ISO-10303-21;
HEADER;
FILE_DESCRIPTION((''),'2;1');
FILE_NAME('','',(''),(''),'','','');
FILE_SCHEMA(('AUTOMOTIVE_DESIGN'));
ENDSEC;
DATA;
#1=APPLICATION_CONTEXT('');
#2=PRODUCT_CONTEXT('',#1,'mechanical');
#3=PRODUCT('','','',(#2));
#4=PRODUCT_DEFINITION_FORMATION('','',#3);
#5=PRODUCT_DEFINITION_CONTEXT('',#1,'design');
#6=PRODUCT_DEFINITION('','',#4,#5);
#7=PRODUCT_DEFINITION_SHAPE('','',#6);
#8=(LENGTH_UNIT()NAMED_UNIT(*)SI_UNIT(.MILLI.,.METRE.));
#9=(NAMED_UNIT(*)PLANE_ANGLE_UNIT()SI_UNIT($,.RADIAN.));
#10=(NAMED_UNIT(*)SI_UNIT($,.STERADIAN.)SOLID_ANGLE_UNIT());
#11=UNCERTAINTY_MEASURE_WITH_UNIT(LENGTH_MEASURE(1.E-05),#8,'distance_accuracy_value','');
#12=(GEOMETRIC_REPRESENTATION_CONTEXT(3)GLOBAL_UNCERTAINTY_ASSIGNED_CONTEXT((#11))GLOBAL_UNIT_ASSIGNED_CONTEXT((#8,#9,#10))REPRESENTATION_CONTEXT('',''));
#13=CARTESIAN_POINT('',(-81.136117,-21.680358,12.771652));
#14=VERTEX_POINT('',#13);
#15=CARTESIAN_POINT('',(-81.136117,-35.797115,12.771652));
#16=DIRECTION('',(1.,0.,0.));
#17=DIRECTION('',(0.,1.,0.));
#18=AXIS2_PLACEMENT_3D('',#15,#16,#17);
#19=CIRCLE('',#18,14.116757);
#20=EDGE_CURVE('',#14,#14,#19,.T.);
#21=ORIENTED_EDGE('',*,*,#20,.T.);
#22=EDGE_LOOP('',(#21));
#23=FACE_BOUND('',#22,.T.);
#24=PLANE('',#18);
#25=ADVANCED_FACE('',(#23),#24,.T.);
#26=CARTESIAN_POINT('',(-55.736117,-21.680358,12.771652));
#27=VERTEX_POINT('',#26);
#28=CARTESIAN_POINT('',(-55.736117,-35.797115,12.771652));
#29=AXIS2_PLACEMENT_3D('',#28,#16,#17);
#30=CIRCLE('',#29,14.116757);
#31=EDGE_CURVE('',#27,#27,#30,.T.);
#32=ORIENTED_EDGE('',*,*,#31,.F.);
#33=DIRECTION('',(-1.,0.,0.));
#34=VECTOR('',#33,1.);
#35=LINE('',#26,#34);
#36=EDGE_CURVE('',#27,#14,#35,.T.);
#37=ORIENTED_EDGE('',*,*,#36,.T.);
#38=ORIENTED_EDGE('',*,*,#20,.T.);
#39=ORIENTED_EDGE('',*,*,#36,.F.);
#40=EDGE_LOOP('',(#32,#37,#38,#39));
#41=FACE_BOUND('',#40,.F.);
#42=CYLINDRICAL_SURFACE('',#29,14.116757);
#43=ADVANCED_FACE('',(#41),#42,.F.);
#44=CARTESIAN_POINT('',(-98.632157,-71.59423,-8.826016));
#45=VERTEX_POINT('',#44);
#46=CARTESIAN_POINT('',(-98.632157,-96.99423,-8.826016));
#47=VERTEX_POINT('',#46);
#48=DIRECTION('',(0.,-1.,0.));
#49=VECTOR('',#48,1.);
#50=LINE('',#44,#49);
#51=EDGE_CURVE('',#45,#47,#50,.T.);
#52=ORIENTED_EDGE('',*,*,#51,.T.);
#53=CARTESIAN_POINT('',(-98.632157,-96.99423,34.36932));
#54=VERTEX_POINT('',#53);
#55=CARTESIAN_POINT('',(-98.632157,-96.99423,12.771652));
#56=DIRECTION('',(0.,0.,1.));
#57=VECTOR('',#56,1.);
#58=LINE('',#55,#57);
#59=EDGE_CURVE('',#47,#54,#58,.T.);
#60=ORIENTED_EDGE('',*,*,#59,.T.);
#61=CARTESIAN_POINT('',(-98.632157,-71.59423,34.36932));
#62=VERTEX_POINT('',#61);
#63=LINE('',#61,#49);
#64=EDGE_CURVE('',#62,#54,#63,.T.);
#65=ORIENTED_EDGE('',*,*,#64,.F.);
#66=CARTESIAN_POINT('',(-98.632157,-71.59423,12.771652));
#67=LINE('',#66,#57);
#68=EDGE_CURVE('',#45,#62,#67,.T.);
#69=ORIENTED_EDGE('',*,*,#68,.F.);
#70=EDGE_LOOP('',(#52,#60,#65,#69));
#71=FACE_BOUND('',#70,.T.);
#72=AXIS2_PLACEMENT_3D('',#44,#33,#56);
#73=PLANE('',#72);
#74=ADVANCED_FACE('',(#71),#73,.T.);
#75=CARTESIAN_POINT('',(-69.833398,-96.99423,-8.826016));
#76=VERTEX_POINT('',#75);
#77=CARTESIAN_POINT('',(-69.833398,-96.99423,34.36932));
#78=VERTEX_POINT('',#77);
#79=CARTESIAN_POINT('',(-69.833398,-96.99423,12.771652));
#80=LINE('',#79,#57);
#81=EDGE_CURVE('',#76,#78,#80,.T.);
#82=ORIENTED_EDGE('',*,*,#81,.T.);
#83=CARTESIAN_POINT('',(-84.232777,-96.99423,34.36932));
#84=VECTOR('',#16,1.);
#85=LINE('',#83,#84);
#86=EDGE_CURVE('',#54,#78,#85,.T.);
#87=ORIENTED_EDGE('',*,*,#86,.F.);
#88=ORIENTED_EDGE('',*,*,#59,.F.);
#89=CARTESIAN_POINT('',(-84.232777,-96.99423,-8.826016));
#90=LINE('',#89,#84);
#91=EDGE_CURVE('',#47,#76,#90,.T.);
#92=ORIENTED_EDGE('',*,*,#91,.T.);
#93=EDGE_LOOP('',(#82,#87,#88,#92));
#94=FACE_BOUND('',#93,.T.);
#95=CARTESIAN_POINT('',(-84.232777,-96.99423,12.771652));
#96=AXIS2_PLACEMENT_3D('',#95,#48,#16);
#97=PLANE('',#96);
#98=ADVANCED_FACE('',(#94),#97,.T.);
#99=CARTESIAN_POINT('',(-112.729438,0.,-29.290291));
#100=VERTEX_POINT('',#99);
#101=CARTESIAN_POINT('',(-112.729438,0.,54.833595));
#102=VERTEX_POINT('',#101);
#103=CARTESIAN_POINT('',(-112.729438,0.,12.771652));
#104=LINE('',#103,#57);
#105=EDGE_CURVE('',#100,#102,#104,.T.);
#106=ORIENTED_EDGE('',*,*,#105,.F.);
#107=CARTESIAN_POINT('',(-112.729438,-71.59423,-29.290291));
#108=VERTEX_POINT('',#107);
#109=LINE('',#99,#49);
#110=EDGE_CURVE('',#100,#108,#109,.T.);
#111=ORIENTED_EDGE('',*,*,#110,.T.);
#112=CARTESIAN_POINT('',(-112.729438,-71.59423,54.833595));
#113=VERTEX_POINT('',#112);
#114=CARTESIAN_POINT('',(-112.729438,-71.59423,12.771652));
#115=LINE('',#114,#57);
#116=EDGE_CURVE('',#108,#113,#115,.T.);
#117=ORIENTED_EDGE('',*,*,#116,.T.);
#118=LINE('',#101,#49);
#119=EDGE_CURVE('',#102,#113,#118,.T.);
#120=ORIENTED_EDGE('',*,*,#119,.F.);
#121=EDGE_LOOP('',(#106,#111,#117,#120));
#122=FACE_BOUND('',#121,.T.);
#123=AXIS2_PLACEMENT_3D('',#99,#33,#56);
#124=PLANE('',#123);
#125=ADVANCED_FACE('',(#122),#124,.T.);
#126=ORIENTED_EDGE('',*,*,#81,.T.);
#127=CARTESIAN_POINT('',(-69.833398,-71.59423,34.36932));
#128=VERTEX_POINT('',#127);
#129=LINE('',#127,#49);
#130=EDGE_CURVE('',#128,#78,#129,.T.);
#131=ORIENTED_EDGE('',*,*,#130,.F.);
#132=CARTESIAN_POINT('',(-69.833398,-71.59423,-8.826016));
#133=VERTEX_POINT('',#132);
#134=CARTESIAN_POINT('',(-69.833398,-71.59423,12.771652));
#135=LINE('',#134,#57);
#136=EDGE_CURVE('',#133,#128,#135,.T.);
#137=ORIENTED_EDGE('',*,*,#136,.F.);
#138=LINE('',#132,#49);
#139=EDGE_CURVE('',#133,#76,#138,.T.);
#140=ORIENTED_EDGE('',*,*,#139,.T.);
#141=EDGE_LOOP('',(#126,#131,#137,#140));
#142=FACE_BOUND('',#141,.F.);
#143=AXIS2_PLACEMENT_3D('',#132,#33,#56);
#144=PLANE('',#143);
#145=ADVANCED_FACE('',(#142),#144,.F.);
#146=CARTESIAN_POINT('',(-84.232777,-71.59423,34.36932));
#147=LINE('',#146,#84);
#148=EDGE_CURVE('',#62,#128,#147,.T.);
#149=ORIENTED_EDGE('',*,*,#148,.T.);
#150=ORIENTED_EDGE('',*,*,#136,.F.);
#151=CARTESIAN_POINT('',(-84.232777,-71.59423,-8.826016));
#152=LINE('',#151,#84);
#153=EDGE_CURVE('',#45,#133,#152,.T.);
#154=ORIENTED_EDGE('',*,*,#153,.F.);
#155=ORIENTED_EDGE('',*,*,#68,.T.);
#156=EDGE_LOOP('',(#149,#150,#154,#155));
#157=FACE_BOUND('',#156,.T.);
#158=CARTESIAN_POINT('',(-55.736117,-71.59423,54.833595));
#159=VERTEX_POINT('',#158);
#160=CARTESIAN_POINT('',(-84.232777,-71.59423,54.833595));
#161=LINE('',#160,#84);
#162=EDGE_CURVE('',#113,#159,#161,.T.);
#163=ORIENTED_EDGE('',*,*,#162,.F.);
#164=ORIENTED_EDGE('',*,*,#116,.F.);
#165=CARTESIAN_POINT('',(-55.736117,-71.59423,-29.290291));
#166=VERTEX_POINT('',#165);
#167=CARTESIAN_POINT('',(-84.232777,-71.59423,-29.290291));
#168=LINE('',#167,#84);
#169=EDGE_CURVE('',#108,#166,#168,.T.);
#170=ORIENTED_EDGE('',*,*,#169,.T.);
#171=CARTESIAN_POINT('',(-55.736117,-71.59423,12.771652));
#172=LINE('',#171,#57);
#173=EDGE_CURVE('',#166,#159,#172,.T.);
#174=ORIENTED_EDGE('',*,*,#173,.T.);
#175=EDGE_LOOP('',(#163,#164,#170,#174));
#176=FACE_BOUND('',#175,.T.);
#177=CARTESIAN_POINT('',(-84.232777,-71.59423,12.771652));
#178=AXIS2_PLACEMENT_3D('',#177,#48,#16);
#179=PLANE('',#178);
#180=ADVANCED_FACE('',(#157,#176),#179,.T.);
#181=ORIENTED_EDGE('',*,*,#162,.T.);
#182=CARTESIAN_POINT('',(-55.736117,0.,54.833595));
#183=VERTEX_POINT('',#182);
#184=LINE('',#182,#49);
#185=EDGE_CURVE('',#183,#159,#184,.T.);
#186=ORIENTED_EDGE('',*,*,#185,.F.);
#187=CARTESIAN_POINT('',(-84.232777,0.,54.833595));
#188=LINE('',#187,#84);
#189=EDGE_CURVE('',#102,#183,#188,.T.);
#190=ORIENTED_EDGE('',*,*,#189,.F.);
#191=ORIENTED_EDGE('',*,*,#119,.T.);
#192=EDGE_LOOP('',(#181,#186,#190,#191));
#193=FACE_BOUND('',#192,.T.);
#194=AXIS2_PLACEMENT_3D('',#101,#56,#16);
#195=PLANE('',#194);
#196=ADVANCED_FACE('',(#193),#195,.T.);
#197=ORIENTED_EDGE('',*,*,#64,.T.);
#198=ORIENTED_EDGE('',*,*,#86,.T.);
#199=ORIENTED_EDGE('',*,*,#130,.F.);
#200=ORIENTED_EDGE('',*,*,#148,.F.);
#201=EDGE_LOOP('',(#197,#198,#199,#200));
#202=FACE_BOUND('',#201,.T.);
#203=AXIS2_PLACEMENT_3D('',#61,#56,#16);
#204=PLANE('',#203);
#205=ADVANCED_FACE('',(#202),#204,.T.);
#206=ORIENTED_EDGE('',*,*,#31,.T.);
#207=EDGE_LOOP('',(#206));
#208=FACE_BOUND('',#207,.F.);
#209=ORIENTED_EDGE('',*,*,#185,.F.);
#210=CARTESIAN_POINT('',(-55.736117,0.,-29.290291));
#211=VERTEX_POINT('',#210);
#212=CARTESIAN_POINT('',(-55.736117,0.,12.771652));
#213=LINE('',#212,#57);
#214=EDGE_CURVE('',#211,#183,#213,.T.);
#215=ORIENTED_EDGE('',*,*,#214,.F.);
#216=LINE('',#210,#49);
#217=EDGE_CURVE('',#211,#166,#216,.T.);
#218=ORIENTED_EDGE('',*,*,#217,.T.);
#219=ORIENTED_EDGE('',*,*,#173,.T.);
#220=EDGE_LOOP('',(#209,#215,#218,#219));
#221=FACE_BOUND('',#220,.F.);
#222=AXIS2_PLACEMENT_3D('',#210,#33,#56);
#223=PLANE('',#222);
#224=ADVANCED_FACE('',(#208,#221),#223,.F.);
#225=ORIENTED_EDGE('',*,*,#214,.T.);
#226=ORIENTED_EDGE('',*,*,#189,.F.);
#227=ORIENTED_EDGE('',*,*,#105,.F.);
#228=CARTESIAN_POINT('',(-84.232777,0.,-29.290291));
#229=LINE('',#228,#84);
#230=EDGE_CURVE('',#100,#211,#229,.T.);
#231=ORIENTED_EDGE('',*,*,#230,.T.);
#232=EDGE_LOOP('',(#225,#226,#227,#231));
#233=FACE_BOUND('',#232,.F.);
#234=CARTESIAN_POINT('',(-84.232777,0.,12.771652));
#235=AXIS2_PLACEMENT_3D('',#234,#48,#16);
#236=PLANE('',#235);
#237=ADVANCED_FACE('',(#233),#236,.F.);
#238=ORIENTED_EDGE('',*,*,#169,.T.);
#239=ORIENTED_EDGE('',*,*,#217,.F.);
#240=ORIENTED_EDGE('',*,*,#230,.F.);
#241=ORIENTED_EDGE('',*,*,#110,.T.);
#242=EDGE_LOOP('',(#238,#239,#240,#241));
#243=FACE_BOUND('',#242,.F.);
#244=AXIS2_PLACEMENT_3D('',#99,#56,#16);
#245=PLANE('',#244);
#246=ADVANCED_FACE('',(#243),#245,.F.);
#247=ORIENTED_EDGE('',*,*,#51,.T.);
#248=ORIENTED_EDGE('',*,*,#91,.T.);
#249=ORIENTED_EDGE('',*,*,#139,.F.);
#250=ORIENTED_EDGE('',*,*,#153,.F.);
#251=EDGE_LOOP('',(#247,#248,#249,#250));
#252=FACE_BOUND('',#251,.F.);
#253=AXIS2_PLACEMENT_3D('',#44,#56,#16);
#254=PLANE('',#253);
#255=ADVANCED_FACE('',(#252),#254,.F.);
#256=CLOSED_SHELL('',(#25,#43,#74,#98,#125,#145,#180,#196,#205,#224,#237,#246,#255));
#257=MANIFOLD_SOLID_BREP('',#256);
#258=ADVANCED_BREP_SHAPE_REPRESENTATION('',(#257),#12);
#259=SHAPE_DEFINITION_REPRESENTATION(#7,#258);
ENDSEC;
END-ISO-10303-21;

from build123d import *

# Parameters (mm, degrees)
F0_W     = 56.9933205843
F0_H     = 84.123885259
F1_DEPTH = 71.59423
F2_R     = 14.1167569705
F3_DEPTH = 25.4
F4_W     = 28.7987589836
F4_H     = 43.1953351945
F5_DEPTH = 25.4


with BuildPart() as f1:
    # F0 (on Front) → F1 (new body)
    with BuildSketch(Plane.XZ):
        with Locations((-84.2327773571, 12.7716520801)):
            Rectangle(F0_W, F0_H)
    extrude(amount=F1_DEPTH)

    # F2 (on face) → F3 (cut)
    with BuildSketch(Plane.YZ.offset(-55.736117065)):
        with Locations((-35.797115, 12.7716520801)):
            Circle(F2_R)
    extrude(amount=-F3_DEPTH, mode=Mode.SUBTRACT)

    # F4 (on face) → F5 (join)
    with BuildSketch(Plane.XZ.offset(71.59423)):
        with Locations((-84.2327773571, 12.7716520801)):
            Rectangle(F4_W, F4_H)
    extrude(amount=F5_DEPTH)


solid = f1.part
